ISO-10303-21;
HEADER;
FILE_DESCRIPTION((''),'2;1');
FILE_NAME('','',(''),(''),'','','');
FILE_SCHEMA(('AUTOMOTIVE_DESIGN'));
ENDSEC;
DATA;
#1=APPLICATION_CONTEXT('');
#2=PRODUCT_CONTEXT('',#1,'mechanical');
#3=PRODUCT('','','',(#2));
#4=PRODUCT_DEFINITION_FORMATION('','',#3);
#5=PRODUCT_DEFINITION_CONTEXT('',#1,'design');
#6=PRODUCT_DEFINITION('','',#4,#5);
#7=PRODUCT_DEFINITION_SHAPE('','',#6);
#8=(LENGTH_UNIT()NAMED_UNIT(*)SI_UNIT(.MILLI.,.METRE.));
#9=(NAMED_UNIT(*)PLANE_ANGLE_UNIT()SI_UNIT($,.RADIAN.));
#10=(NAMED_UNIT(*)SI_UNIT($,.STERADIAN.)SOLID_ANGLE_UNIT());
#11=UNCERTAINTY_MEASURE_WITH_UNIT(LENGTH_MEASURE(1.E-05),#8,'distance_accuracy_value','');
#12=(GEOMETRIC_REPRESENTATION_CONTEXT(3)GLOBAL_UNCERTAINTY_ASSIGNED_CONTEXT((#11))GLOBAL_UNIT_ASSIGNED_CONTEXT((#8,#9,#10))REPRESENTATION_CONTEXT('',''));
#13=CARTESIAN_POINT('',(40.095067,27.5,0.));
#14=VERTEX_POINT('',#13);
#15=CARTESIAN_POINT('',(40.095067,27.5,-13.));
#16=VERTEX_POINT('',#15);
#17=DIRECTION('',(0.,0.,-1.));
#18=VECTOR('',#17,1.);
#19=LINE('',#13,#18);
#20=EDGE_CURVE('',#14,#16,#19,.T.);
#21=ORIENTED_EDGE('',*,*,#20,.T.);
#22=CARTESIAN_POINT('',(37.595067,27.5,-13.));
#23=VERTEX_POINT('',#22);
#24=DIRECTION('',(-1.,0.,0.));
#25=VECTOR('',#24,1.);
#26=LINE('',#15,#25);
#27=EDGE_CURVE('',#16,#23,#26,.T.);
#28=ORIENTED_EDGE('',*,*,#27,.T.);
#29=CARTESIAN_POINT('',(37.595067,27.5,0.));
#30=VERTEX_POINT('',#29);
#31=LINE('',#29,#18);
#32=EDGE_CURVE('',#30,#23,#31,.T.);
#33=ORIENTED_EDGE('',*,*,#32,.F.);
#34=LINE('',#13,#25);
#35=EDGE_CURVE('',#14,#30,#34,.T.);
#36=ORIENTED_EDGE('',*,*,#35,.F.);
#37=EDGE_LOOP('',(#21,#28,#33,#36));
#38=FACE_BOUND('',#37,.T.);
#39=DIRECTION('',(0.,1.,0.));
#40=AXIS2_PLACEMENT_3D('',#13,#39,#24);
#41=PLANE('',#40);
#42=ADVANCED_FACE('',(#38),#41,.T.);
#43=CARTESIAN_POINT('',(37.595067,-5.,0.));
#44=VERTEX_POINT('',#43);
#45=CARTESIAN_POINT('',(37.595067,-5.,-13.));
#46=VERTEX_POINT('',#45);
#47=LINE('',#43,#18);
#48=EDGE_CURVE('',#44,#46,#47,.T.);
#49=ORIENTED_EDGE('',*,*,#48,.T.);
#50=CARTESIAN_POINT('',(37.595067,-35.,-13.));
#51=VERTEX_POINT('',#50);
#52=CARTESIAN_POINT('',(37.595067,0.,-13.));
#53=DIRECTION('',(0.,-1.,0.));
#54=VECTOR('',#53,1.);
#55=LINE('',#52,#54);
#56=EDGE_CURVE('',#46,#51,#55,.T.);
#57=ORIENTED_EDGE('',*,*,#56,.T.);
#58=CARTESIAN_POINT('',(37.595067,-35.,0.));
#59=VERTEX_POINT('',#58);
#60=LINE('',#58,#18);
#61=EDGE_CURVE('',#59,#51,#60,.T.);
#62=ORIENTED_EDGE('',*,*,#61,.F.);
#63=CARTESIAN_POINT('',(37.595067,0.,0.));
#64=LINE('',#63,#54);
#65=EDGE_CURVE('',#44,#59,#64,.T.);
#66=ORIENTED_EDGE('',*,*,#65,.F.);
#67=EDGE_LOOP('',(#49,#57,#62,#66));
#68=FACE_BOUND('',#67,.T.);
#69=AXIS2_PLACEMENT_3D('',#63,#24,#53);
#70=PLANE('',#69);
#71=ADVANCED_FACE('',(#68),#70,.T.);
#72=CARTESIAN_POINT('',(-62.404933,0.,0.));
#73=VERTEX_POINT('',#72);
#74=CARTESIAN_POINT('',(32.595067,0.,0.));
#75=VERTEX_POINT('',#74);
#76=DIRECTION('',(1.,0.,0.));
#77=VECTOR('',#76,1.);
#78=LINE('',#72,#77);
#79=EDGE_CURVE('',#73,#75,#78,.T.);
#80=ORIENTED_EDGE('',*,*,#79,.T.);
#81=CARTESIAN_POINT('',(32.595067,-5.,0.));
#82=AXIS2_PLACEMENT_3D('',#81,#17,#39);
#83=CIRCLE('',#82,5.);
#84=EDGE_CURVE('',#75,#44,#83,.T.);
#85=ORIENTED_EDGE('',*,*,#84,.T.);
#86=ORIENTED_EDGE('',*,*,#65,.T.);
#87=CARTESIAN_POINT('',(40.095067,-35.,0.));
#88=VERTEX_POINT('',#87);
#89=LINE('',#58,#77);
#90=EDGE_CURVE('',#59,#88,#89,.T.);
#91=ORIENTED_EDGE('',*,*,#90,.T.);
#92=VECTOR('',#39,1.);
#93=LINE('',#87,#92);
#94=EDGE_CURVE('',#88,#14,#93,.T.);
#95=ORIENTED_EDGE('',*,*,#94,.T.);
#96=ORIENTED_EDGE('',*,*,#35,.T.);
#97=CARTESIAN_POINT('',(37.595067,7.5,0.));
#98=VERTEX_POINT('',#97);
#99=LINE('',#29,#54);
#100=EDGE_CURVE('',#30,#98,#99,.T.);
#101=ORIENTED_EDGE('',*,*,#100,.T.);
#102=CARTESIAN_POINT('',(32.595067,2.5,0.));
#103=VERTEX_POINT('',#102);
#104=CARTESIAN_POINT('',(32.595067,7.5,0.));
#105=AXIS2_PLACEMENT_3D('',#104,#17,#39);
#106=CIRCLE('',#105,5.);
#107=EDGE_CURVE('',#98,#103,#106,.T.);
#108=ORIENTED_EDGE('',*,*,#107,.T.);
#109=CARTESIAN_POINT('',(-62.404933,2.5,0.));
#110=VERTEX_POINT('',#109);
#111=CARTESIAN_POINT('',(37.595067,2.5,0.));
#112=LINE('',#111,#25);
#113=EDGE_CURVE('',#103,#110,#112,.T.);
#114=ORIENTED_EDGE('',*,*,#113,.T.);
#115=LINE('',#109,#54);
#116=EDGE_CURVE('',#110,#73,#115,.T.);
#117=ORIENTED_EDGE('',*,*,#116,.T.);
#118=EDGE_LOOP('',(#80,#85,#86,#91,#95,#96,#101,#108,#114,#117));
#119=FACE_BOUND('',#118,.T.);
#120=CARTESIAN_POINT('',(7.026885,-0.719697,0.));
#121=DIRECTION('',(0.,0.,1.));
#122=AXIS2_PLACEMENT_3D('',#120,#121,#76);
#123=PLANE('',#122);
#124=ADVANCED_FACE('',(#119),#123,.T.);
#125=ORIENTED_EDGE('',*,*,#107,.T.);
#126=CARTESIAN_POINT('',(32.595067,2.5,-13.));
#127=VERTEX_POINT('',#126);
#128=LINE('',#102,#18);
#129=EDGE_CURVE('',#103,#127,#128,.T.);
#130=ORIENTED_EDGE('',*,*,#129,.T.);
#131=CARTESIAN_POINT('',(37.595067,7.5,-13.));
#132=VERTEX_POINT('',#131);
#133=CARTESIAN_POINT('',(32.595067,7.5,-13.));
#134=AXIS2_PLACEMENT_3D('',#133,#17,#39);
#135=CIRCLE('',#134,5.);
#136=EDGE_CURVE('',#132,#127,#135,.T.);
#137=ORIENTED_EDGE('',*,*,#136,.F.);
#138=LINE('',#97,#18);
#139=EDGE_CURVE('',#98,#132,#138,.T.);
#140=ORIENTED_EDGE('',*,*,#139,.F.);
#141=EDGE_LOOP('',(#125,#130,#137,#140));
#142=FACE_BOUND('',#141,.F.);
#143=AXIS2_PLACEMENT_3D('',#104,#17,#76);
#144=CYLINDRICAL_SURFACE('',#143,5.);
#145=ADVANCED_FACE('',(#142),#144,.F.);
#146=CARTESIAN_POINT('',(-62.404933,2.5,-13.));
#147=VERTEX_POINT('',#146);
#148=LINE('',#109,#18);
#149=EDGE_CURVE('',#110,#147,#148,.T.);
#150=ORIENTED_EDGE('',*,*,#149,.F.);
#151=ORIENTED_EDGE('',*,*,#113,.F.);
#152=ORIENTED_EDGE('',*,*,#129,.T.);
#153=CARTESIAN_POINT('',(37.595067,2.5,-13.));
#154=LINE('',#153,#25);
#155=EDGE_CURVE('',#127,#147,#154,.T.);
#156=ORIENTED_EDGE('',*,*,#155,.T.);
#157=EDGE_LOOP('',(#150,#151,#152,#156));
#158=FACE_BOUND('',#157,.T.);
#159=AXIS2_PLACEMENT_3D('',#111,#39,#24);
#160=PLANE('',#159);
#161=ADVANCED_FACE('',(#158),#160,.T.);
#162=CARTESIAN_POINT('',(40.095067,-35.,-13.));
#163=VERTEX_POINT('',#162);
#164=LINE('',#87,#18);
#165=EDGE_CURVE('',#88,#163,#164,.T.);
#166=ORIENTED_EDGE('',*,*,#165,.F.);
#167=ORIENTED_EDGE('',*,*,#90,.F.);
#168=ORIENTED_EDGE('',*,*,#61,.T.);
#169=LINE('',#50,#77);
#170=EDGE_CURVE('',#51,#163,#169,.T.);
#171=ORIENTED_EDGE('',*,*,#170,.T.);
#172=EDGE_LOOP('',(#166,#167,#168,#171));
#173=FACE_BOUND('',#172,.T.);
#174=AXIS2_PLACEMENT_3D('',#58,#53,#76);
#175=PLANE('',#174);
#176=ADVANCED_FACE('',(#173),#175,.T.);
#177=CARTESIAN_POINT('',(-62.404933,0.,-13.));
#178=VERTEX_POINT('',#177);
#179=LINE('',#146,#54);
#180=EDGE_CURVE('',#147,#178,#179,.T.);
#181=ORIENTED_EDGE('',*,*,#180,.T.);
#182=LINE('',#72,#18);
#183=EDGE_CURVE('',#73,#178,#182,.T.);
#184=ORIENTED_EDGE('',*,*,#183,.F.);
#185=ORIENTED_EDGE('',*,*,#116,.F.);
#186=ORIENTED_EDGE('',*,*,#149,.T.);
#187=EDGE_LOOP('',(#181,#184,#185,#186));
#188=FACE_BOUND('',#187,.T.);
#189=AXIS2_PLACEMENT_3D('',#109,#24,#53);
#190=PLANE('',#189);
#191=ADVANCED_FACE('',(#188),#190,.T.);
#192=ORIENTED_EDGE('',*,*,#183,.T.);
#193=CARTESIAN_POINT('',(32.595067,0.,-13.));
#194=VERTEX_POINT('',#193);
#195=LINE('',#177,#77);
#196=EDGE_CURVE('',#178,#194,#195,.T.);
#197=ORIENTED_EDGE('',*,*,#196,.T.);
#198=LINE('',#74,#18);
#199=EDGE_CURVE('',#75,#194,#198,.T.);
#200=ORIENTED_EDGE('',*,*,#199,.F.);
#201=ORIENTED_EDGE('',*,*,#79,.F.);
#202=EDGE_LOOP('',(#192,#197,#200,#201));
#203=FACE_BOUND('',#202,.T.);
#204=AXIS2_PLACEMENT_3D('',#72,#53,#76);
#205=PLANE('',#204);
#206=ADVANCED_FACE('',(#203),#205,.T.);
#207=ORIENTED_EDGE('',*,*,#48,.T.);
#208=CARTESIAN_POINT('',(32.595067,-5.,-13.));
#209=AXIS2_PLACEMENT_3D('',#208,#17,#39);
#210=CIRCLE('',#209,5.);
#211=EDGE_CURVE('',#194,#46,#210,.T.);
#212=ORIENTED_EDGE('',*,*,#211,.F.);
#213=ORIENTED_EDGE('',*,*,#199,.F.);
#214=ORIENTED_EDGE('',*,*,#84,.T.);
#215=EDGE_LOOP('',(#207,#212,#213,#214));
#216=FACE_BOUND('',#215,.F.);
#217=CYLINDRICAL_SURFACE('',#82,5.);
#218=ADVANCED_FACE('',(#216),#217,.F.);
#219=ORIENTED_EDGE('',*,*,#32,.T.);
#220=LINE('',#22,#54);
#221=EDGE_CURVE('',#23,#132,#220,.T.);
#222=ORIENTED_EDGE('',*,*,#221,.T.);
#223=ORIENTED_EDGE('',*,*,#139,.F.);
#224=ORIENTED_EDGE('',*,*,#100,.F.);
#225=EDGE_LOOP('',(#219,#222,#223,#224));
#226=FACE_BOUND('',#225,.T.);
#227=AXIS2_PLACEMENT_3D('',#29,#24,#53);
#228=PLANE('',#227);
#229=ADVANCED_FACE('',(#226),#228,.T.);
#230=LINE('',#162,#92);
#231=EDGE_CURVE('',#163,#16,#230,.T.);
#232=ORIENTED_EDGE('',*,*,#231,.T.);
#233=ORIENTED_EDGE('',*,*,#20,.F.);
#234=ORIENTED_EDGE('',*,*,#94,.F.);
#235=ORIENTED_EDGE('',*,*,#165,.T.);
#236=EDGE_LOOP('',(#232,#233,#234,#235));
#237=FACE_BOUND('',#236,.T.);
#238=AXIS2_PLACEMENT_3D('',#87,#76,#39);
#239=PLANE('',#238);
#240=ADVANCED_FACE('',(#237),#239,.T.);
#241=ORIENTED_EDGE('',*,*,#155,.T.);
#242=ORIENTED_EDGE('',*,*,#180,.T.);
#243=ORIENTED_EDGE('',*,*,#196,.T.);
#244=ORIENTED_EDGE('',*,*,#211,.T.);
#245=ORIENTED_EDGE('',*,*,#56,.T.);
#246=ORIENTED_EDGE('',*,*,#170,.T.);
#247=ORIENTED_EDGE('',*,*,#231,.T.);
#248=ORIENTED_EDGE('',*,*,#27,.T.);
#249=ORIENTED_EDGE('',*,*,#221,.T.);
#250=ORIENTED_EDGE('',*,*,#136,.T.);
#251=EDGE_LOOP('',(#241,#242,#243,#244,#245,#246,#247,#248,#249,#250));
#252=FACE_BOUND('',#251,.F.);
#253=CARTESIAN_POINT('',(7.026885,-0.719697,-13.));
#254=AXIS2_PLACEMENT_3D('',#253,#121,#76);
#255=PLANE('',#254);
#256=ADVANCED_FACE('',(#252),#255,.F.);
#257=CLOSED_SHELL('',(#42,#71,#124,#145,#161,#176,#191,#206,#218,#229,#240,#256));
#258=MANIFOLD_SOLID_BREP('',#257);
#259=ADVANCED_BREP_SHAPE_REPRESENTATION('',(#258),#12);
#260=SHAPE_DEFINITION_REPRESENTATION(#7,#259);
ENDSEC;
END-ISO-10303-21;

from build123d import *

# Parameters (mm, degrees)
F1_DEPTH = 13
F2_R     = 5


with BuildPart() as f1:
    # F0 (on Top) → F1 (new body)
    with BuildSketch(Plane.XY):
        Polygon((-62.404933, 2.5), (-62.404933, 0), (37.595067, 0), (37.595067, -35), (40.095067, -35), (40.095067, 27.5), (37.595067, 27.5), (37.595067, 2.5), align=None)
    extrude(amount=-F1_DEPTH)

    # F2
    f2_edges = [f1.edges().sort_by_distance(p)[0] for p in [
        (37.595067, 0, -6.5),
        (37.595067, 2.5, -6.5),
    ]]
    fillet(f2_edges, radius=F2_R)


solid = f1.part
